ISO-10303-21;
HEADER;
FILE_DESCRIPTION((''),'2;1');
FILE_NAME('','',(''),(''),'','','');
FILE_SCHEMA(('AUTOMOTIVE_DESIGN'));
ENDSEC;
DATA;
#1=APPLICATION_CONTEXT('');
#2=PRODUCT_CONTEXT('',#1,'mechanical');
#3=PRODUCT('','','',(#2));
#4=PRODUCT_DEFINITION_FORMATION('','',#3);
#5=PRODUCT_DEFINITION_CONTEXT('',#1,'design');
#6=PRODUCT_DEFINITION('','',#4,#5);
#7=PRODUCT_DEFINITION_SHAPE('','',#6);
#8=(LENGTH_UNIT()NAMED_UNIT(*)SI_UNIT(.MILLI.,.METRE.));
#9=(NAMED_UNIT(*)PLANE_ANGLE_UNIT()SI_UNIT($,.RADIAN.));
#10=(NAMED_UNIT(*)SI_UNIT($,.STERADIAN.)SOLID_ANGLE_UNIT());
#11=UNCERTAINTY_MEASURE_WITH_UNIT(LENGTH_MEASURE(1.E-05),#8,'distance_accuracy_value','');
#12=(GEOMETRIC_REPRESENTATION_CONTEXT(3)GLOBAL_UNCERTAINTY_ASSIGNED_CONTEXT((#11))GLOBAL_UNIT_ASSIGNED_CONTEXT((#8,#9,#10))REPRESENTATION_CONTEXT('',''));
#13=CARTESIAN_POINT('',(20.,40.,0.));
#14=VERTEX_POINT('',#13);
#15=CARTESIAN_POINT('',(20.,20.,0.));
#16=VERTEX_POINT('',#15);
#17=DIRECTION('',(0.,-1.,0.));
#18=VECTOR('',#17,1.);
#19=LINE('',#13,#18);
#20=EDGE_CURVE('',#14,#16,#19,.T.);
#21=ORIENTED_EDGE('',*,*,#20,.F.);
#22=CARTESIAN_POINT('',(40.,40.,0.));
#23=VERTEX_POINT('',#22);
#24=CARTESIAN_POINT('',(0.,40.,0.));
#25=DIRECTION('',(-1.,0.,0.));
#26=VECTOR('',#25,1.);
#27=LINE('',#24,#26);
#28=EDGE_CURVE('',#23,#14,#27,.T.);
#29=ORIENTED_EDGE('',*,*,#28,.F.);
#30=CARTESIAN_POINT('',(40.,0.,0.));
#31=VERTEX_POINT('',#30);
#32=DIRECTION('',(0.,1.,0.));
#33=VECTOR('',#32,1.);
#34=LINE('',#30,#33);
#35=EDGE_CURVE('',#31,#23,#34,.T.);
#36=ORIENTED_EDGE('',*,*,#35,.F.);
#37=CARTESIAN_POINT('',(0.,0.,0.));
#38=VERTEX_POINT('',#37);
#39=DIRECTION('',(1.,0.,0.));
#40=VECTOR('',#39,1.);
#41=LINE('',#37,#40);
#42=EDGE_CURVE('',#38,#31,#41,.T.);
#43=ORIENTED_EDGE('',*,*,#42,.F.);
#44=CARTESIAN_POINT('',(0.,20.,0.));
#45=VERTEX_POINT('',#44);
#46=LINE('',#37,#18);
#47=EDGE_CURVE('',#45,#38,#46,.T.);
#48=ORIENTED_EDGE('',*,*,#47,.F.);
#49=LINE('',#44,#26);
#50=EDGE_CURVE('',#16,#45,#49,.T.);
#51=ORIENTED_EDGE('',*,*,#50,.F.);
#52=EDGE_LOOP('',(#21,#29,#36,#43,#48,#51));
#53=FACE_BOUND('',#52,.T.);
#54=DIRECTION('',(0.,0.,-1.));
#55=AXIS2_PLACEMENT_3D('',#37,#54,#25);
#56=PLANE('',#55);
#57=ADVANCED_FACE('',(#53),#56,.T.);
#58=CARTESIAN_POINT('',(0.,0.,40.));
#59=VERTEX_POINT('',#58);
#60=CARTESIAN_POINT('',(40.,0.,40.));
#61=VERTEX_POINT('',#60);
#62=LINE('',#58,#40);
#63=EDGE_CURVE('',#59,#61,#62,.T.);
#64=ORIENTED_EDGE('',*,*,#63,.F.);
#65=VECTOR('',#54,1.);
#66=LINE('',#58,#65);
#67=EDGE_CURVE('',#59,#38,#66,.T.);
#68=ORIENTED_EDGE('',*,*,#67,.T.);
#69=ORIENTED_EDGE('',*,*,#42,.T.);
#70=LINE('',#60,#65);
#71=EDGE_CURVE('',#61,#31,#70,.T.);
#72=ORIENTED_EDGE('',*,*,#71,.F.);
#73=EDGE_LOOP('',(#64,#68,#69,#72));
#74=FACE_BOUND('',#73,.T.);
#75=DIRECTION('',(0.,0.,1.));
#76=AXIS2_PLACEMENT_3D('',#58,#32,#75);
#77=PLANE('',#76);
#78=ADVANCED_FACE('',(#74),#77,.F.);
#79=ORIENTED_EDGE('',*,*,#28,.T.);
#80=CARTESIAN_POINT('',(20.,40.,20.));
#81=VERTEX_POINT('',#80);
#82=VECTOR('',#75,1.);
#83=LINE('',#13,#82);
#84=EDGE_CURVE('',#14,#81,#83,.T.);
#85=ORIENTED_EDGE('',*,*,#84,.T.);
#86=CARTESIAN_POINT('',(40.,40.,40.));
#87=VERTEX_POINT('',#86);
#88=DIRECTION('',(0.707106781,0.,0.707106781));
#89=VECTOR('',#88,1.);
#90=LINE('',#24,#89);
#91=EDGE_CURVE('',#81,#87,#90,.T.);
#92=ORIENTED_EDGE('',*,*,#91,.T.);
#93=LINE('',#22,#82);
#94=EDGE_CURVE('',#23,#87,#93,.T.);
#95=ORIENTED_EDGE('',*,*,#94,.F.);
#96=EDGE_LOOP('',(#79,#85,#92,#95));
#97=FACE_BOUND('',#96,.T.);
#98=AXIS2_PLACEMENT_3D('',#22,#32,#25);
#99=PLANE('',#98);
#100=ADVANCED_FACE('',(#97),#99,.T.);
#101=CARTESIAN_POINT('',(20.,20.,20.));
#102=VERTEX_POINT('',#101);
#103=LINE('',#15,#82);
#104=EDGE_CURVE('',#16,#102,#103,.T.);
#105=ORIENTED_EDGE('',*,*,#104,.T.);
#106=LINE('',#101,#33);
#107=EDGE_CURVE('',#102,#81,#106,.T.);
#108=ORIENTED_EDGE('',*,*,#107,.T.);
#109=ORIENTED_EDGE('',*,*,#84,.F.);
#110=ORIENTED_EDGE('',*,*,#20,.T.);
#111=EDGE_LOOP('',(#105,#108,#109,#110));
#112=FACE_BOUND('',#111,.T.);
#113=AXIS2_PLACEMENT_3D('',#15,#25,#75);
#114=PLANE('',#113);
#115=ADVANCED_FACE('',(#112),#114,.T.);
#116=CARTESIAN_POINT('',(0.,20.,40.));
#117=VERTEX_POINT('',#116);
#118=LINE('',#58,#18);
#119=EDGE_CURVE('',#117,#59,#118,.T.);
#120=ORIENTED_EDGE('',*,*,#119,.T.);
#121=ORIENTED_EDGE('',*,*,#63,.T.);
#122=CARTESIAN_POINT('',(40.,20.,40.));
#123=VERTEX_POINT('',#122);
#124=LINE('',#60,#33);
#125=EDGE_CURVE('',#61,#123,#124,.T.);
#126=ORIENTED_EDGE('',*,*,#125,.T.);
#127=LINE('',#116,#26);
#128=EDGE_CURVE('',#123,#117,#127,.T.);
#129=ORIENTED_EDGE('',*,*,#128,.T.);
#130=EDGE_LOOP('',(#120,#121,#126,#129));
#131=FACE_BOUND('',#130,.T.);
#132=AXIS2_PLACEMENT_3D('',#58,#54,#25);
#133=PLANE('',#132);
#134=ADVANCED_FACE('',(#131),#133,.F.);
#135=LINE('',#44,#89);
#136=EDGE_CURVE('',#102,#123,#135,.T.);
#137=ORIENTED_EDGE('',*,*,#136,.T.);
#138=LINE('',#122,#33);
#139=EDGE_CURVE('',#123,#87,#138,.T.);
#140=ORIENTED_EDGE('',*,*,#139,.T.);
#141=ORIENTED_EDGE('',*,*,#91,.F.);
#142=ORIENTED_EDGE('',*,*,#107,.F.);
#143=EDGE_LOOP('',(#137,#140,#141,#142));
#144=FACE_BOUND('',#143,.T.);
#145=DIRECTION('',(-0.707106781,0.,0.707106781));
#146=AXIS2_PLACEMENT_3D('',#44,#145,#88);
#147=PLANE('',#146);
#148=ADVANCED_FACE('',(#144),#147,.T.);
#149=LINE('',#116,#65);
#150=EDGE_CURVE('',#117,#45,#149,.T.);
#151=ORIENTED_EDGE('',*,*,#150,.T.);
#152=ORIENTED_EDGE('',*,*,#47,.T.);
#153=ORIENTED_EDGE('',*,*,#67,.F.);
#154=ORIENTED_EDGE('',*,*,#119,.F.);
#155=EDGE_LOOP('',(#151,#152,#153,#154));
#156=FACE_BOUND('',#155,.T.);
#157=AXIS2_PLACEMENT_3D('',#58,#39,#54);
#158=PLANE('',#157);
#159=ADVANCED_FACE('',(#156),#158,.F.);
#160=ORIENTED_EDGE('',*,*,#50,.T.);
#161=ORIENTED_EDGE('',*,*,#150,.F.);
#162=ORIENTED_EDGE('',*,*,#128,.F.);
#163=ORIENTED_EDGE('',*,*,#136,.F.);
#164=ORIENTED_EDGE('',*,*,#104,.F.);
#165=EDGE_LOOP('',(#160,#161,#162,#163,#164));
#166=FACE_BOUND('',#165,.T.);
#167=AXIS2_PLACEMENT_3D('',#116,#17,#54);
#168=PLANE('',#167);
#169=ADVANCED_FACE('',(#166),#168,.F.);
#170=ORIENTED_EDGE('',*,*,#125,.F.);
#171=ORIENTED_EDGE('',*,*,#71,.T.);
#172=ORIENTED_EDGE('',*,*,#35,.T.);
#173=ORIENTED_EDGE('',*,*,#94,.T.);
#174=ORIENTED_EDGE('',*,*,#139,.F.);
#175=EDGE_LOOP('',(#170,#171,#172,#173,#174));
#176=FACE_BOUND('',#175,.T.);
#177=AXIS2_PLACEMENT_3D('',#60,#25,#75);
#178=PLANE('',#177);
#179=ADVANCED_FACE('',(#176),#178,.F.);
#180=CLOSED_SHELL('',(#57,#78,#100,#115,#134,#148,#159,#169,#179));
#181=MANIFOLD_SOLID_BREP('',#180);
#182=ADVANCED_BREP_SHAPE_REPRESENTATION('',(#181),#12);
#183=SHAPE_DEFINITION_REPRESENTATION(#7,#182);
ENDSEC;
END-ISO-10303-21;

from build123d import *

# Parameters (mm, degrees)
SKETCH1_W           = 40
SKETCH1_H           = 20
BOSS_EXTRUDE1_DEPTH = 40
SKETCH2_W           = 20
SKETCH2_H           = 20
BOSS_EXTRUDE2_DEPTH = 40
CUT_EXTRUDE2_DEPTH  = 20
CUT_EXTRUDE3_DEPTH  = 20
BOSS_EXTRUDE3_DEPTH = 20
BOSS_EXTRUDE4_DEPTH = 20
CUT_EXTRUDE4_DEPTH  = 20


with BuildPart() as part:
    # Sketch1 → Boss-Extrude1 (new body)
    with BuildSketch(Plane.XY):
        with Locations((20, 10)):
            Rectangle(SKETCH1_W, SKETCH1_H)
    extrude(amount=BOSS_EXTRUDE1_DEPTH)

    # Sketch2 → Boss-Extrude2 (add)
    with BuildSketch(Plane.XY.offset(40)):
        with Locations((30, 30)):
            Rectangle(SKETCH2_W, SKETCH2_H)
    extrude(amount=-BOSS_EXTRUDE2_DEPTH)

    # Sketch3 → Cut-Extrude2 (cut)
    with BuildSketch(Plane(origin=(0, 40, 0), x_dir=(1, 0, 0), z_dir=(0, 1, 0))):
        Polygon((40, -40), (40, -20), (20, -40), align=None)
    extrude(amount=-CUT_EXTRUDE2_DEPTH, mode=Mode.SUBTRACT)

    # Sketch4 → Cut-Extrude3 (cut)
    with BuildSketch(Plane(origin=(0, 40, 0), x_dir=(1, 0, 0), z_dir=(0, 1, 0))):
        Polygon((40, 0), (20, -20), (20, 0), align=None)
    extrude(amount=-CUT_EXTRUDE3_DEPTH, mode=Mode.SUBTRACT)

    # Sketch5 → Boss-Extrude3 (add)
    with BuildSketch(Plane(origin=(0, 20, 0), x_dir=(1, 0, 0), z_dir=(0, 1, 0))):
        Polygon((20, 0), (20, -20), (40, 0), align=None)
    extrude(amount=BOSS_EXTRUDE3_DEPTH)

    # Sketch6 → Boss-Extrude4 (add)
    with BuildSketch(Plane(origin=(0, 20, 0), x_dir=(1, 0, 0), z_dir=(0, 1, 0))):
        Polygon((20, -40), (40, -40), (40, -20), align=None)
    extrude(amount=BOSS_EXTRUDE4_DEPTH)

    # Sketch7 → Cut-Extrude4 (cut)
    with BuildSketch(Plane(origin=(0, 40, 0), x_dir=(1, 0, 0), z_dir=(0, 1, 0))):
        Polygon((20, -20), (20, -40), (30, -30), align=None)
        Polygon((30, -30), (20, -40), (40, -40), align=None)
    extrude(amount=-CUT_EXTRUDE4_DEPTH, mode=Mode.SUBTRACT)


solid = part.part
